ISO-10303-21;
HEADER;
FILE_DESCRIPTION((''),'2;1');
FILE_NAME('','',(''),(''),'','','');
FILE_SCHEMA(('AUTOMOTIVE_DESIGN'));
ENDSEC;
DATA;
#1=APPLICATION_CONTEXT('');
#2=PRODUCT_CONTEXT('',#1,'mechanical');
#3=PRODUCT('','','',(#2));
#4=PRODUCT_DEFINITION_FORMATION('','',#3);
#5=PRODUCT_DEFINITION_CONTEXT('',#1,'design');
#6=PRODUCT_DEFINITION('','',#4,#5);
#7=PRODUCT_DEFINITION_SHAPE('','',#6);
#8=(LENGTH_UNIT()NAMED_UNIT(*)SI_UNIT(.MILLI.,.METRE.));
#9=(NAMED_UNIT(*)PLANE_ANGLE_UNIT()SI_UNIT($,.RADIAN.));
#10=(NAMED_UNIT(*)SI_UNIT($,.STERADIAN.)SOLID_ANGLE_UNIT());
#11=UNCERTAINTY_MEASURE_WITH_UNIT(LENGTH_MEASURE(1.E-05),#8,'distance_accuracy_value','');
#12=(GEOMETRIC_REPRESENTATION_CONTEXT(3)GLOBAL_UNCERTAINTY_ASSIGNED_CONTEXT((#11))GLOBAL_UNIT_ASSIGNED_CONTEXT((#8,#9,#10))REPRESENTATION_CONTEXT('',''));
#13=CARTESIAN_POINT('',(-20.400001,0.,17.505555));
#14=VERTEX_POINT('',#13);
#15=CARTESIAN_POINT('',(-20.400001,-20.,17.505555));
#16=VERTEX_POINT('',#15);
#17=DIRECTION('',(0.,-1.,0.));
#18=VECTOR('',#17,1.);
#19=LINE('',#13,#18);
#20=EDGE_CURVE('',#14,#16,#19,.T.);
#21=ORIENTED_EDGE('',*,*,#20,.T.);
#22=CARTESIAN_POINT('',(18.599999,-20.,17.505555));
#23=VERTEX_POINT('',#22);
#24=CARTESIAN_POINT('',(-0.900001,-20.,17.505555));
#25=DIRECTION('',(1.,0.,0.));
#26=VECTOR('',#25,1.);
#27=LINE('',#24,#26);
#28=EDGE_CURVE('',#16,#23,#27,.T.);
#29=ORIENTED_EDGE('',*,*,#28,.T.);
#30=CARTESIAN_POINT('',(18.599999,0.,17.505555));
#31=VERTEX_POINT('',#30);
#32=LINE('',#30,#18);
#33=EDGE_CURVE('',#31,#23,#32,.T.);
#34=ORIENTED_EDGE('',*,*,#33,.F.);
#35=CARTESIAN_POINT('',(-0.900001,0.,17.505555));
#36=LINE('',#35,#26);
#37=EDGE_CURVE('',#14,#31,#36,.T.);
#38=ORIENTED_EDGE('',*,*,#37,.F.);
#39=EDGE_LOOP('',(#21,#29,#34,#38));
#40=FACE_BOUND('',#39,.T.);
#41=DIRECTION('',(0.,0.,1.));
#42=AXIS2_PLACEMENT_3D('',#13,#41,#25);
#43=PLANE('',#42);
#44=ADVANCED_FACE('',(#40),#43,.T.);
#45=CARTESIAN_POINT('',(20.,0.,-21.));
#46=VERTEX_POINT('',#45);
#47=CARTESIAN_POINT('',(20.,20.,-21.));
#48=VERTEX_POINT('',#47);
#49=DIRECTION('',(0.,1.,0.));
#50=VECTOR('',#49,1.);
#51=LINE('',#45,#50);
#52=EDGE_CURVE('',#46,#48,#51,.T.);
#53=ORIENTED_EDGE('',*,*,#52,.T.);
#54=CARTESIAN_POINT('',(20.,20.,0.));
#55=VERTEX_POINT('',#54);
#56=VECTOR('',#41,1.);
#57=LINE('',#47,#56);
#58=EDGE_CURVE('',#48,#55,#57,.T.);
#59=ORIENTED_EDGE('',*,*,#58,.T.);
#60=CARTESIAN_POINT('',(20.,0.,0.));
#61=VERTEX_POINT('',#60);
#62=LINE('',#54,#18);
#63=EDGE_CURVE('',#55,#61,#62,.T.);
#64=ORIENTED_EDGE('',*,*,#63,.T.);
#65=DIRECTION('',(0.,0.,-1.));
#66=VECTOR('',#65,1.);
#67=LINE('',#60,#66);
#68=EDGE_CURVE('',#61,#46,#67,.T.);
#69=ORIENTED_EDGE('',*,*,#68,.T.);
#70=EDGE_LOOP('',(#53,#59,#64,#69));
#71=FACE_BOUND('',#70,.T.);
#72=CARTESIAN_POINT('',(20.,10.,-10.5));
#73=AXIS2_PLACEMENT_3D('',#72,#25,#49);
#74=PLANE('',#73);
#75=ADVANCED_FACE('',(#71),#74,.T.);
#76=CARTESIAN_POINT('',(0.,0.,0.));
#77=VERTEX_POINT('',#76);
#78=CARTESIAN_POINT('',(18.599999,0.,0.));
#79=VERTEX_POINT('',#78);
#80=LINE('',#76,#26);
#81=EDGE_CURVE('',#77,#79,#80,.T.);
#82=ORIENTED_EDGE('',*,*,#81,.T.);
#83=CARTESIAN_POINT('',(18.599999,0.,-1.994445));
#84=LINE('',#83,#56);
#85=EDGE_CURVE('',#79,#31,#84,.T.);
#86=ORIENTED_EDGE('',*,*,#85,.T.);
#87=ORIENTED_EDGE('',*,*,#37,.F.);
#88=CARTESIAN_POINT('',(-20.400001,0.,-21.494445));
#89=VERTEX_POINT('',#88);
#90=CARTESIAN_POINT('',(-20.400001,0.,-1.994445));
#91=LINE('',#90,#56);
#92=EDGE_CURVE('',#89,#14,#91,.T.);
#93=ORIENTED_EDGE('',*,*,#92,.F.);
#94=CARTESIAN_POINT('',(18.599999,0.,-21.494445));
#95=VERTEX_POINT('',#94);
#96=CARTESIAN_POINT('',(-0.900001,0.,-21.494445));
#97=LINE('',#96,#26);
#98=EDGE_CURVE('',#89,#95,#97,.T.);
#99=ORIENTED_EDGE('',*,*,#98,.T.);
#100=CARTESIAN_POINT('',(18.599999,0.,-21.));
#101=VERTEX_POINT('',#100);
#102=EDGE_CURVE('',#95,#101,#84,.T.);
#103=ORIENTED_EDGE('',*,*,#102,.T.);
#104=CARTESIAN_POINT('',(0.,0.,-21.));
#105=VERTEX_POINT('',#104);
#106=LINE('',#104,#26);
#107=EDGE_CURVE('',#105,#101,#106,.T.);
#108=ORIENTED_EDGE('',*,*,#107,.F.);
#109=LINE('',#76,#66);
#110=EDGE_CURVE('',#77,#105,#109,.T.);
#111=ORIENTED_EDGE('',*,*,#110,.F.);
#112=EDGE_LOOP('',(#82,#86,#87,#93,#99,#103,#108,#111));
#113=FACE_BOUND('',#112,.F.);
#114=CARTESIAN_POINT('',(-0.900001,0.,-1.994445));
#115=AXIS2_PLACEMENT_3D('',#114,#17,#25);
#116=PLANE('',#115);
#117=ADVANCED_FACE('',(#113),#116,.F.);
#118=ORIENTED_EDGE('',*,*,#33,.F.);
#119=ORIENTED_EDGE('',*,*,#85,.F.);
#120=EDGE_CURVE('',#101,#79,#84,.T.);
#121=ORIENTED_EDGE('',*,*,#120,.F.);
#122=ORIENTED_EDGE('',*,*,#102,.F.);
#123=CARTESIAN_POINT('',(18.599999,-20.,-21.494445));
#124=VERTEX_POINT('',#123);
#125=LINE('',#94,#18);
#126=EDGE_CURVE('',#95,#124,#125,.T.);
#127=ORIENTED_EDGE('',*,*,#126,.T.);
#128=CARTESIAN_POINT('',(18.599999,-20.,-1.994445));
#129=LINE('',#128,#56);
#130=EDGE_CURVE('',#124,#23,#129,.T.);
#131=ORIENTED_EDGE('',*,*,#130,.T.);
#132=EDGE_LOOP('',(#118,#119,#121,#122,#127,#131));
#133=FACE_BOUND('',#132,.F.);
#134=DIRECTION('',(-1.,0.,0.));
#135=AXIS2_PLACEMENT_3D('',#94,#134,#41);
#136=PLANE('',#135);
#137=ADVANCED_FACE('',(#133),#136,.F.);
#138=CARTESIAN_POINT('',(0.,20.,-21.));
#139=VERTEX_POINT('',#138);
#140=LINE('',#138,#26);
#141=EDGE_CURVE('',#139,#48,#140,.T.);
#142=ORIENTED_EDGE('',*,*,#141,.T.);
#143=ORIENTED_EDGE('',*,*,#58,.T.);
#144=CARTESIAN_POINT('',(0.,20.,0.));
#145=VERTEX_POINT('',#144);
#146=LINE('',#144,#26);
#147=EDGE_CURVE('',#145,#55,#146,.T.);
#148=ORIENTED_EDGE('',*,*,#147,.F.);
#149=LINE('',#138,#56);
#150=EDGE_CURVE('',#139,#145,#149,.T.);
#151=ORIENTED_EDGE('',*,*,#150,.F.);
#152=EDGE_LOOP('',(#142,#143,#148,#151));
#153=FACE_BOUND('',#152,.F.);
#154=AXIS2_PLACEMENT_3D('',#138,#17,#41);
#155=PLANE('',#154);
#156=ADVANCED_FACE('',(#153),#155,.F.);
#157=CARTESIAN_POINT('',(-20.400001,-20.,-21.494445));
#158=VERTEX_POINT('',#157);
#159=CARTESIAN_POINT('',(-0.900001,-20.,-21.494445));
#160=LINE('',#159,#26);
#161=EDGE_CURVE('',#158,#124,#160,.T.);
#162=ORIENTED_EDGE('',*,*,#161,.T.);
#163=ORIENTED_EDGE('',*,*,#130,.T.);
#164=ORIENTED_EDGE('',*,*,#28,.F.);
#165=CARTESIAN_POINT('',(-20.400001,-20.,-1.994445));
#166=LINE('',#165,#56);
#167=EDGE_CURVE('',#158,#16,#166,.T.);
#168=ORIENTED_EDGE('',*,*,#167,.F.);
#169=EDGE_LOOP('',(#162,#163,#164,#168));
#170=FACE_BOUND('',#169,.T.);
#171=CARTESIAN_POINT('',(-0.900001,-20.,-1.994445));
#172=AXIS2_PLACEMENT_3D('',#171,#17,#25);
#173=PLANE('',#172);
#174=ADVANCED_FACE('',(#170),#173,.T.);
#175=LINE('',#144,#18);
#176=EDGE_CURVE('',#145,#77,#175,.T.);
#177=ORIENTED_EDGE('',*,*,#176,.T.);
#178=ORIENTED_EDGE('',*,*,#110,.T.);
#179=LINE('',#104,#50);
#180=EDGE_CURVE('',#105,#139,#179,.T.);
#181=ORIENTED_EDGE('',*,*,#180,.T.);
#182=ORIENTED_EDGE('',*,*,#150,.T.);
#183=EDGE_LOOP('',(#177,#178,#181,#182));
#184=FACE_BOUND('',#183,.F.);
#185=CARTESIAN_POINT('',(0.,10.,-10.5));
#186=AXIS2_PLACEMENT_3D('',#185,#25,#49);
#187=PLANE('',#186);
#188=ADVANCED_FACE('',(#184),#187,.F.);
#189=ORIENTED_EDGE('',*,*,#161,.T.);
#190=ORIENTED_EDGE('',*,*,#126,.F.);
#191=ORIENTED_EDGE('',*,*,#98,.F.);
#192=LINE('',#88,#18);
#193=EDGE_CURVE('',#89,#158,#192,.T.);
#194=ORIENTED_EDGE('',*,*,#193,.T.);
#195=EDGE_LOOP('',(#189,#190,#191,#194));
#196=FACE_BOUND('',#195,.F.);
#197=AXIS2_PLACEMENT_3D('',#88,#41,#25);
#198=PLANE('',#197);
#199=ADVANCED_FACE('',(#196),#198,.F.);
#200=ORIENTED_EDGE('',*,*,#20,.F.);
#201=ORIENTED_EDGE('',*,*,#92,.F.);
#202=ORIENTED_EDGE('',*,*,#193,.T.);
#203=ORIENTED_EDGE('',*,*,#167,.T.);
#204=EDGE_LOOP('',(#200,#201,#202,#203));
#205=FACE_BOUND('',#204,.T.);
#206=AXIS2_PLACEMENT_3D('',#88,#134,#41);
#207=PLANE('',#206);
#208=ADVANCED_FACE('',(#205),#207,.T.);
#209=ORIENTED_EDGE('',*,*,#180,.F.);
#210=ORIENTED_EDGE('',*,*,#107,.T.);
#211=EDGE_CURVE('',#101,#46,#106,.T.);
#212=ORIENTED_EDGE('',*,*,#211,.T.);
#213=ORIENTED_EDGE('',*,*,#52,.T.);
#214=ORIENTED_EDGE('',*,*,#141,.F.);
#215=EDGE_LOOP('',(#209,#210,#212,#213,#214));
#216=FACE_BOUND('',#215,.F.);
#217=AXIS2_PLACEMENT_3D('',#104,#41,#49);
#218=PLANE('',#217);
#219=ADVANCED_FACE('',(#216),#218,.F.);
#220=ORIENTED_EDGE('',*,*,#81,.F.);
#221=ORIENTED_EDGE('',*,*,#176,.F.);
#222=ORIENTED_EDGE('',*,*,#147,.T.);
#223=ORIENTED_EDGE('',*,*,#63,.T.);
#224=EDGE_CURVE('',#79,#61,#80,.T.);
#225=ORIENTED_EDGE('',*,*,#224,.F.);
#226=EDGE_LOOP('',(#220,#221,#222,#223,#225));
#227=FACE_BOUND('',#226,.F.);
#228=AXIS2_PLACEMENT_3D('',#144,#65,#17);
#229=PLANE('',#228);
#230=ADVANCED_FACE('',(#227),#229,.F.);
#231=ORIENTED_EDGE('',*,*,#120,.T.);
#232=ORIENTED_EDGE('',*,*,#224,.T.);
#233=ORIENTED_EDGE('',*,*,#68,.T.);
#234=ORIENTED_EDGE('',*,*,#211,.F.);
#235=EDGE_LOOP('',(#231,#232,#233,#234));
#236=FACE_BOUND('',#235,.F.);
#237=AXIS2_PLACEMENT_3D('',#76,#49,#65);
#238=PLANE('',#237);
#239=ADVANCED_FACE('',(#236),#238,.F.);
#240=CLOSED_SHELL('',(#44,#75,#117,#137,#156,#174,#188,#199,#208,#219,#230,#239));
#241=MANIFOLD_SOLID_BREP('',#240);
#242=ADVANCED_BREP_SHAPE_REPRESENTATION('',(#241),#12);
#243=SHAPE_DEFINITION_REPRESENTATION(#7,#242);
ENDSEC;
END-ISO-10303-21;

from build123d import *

# Parameters (mm, degrees)
F0_W     = 39
F0_H     = 39
F1_DEPTH = 20
F3_DEPTH = 20


with BuildPart() as f1:
    # F0 (on Front) → F1 (new body)
    with BuildSketch(Plane.XZ):
        with Locations((-0.900001, -1.994445)):
            Rectangle(F0_W, F0_H)
    extrude(amount=F1_DEPTH)

    # F2 (on Right) → F3 (join)
    with BuildSketch(Plane.YZ):
        Polygon((20, 0), (0, 0), (0, -18.648019), (0, -21), (20, -21), align=None)
    extrude(amount=F3_DEPTH)


solid = f1.part
